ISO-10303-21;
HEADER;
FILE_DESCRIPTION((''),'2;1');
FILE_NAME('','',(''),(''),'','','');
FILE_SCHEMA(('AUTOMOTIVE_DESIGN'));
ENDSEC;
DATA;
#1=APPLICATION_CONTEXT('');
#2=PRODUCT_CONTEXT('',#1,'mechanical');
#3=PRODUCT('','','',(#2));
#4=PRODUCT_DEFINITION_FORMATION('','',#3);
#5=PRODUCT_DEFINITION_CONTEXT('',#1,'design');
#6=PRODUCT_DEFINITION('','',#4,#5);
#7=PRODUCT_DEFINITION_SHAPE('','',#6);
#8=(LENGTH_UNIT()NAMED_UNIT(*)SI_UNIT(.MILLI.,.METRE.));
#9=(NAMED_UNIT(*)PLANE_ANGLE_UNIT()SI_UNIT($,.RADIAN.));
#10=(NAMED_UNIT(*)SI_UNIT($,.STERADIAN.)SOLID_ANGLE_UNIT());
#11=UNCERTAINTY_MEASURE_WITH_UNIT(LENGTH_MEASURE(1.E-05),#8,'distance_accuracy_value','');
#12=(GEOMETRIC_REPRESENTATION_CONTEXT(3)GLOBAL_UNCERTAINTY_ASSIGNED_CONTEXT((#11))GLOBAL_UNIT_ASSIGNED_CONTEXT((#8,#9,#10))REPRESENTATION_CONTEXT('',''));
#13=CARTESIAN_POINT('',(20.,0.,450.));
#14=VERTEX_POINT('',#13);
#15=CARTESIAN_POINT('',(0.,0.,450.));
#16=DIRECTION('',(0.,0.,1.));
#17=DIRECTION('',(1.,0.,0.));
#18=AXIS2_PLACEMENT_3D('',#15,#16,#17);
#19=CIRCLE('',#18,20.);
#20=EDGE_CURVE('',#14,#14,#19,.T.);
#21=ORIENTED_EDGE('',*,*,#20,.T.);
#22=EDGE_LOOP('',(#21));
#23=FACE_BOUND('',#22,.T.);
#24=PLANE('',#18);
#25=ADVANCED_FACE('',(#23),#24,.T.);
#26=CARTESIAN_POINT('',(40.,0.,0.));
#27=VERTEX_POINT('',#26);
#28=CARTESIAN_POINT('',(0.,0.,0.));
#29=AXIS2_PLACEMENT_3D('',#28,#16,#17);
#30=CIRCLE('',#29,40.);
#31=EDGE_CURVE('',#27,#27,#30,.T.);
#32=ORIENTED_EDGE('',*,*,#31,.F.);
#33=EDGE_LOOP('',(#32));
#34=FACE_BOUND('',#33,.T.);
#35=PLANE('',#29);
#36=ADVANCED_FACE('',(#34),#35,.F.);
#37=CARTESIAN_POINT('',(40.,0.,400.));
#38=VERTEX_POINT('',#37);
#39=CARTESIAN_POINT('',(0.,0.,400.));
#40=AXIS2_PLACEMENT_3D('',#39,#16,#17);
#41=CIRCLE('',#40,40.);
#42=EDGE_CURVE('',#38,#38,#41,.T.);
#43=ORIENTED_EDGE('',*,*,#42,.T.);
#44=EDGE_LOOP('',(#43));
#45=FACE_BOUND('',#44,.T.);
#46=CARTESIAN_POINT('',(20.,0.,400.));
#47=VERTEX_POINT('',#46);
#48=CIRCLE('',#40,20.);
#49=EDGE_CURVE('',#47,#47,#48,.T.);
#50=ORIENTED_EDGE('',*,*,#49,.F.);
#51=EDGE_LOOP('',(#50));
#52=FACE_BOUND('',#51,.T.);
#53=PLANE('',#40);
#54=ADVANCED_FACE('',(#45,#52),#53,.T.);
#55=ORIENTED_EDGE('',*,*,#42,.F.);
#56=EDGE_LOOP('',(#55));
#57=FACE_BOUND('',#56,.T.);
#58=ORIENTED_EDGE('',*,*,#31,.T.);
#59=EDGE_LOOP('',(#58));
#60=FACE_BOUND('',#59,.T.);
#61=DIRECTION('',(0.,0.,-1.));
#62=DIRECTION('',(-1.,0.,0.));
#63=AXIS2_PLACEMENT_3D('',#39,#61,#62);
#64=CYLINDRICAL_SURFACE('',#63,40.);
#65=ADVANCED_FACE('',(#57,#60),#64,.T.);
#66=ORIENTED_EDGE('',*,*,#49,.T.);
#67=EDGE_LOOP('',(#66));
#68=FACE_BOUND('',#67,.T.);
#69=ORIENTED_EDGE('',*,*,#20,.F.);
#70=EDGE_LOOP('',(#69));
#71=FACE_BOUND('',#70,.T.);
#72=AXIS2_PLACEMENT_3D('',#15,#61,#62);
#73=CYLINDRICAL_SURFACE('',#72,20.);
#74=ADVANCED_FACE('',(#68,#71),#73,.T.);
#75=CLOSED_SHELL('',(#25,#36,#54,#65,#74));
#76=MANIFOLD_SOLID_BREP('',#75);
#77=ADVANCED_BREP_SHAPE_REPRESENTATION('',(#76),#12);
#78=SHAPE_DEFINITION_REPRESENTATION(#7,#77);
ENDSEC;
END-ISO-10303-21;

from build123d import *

# Parameters (mm, degrees)
SKETCH1_R           = 40
BOSS_EXTRUDE1_DEPTH = 400
SKETCH2_R           = 20
BOSS_EXTRUDE2_DEPTH = 50


with BuildPart() as part:
    # Sketch1 → Boss-Extrude1 (new body)
    with BuildSketch(Plane.XY):
        Circle(SKETCH1_R)
    extrude(amount=BOSS_EXTRUDE1_DEPTH)

    # Sketch2 → Boss-Extrude2 (add)
    with BuildSketch(Plane.XY.offset(400)):
        Circle(SKETCH2_R)
    extrude(amount=BOSS_EXTRUDE2_DEPTH)


solid = part.part
